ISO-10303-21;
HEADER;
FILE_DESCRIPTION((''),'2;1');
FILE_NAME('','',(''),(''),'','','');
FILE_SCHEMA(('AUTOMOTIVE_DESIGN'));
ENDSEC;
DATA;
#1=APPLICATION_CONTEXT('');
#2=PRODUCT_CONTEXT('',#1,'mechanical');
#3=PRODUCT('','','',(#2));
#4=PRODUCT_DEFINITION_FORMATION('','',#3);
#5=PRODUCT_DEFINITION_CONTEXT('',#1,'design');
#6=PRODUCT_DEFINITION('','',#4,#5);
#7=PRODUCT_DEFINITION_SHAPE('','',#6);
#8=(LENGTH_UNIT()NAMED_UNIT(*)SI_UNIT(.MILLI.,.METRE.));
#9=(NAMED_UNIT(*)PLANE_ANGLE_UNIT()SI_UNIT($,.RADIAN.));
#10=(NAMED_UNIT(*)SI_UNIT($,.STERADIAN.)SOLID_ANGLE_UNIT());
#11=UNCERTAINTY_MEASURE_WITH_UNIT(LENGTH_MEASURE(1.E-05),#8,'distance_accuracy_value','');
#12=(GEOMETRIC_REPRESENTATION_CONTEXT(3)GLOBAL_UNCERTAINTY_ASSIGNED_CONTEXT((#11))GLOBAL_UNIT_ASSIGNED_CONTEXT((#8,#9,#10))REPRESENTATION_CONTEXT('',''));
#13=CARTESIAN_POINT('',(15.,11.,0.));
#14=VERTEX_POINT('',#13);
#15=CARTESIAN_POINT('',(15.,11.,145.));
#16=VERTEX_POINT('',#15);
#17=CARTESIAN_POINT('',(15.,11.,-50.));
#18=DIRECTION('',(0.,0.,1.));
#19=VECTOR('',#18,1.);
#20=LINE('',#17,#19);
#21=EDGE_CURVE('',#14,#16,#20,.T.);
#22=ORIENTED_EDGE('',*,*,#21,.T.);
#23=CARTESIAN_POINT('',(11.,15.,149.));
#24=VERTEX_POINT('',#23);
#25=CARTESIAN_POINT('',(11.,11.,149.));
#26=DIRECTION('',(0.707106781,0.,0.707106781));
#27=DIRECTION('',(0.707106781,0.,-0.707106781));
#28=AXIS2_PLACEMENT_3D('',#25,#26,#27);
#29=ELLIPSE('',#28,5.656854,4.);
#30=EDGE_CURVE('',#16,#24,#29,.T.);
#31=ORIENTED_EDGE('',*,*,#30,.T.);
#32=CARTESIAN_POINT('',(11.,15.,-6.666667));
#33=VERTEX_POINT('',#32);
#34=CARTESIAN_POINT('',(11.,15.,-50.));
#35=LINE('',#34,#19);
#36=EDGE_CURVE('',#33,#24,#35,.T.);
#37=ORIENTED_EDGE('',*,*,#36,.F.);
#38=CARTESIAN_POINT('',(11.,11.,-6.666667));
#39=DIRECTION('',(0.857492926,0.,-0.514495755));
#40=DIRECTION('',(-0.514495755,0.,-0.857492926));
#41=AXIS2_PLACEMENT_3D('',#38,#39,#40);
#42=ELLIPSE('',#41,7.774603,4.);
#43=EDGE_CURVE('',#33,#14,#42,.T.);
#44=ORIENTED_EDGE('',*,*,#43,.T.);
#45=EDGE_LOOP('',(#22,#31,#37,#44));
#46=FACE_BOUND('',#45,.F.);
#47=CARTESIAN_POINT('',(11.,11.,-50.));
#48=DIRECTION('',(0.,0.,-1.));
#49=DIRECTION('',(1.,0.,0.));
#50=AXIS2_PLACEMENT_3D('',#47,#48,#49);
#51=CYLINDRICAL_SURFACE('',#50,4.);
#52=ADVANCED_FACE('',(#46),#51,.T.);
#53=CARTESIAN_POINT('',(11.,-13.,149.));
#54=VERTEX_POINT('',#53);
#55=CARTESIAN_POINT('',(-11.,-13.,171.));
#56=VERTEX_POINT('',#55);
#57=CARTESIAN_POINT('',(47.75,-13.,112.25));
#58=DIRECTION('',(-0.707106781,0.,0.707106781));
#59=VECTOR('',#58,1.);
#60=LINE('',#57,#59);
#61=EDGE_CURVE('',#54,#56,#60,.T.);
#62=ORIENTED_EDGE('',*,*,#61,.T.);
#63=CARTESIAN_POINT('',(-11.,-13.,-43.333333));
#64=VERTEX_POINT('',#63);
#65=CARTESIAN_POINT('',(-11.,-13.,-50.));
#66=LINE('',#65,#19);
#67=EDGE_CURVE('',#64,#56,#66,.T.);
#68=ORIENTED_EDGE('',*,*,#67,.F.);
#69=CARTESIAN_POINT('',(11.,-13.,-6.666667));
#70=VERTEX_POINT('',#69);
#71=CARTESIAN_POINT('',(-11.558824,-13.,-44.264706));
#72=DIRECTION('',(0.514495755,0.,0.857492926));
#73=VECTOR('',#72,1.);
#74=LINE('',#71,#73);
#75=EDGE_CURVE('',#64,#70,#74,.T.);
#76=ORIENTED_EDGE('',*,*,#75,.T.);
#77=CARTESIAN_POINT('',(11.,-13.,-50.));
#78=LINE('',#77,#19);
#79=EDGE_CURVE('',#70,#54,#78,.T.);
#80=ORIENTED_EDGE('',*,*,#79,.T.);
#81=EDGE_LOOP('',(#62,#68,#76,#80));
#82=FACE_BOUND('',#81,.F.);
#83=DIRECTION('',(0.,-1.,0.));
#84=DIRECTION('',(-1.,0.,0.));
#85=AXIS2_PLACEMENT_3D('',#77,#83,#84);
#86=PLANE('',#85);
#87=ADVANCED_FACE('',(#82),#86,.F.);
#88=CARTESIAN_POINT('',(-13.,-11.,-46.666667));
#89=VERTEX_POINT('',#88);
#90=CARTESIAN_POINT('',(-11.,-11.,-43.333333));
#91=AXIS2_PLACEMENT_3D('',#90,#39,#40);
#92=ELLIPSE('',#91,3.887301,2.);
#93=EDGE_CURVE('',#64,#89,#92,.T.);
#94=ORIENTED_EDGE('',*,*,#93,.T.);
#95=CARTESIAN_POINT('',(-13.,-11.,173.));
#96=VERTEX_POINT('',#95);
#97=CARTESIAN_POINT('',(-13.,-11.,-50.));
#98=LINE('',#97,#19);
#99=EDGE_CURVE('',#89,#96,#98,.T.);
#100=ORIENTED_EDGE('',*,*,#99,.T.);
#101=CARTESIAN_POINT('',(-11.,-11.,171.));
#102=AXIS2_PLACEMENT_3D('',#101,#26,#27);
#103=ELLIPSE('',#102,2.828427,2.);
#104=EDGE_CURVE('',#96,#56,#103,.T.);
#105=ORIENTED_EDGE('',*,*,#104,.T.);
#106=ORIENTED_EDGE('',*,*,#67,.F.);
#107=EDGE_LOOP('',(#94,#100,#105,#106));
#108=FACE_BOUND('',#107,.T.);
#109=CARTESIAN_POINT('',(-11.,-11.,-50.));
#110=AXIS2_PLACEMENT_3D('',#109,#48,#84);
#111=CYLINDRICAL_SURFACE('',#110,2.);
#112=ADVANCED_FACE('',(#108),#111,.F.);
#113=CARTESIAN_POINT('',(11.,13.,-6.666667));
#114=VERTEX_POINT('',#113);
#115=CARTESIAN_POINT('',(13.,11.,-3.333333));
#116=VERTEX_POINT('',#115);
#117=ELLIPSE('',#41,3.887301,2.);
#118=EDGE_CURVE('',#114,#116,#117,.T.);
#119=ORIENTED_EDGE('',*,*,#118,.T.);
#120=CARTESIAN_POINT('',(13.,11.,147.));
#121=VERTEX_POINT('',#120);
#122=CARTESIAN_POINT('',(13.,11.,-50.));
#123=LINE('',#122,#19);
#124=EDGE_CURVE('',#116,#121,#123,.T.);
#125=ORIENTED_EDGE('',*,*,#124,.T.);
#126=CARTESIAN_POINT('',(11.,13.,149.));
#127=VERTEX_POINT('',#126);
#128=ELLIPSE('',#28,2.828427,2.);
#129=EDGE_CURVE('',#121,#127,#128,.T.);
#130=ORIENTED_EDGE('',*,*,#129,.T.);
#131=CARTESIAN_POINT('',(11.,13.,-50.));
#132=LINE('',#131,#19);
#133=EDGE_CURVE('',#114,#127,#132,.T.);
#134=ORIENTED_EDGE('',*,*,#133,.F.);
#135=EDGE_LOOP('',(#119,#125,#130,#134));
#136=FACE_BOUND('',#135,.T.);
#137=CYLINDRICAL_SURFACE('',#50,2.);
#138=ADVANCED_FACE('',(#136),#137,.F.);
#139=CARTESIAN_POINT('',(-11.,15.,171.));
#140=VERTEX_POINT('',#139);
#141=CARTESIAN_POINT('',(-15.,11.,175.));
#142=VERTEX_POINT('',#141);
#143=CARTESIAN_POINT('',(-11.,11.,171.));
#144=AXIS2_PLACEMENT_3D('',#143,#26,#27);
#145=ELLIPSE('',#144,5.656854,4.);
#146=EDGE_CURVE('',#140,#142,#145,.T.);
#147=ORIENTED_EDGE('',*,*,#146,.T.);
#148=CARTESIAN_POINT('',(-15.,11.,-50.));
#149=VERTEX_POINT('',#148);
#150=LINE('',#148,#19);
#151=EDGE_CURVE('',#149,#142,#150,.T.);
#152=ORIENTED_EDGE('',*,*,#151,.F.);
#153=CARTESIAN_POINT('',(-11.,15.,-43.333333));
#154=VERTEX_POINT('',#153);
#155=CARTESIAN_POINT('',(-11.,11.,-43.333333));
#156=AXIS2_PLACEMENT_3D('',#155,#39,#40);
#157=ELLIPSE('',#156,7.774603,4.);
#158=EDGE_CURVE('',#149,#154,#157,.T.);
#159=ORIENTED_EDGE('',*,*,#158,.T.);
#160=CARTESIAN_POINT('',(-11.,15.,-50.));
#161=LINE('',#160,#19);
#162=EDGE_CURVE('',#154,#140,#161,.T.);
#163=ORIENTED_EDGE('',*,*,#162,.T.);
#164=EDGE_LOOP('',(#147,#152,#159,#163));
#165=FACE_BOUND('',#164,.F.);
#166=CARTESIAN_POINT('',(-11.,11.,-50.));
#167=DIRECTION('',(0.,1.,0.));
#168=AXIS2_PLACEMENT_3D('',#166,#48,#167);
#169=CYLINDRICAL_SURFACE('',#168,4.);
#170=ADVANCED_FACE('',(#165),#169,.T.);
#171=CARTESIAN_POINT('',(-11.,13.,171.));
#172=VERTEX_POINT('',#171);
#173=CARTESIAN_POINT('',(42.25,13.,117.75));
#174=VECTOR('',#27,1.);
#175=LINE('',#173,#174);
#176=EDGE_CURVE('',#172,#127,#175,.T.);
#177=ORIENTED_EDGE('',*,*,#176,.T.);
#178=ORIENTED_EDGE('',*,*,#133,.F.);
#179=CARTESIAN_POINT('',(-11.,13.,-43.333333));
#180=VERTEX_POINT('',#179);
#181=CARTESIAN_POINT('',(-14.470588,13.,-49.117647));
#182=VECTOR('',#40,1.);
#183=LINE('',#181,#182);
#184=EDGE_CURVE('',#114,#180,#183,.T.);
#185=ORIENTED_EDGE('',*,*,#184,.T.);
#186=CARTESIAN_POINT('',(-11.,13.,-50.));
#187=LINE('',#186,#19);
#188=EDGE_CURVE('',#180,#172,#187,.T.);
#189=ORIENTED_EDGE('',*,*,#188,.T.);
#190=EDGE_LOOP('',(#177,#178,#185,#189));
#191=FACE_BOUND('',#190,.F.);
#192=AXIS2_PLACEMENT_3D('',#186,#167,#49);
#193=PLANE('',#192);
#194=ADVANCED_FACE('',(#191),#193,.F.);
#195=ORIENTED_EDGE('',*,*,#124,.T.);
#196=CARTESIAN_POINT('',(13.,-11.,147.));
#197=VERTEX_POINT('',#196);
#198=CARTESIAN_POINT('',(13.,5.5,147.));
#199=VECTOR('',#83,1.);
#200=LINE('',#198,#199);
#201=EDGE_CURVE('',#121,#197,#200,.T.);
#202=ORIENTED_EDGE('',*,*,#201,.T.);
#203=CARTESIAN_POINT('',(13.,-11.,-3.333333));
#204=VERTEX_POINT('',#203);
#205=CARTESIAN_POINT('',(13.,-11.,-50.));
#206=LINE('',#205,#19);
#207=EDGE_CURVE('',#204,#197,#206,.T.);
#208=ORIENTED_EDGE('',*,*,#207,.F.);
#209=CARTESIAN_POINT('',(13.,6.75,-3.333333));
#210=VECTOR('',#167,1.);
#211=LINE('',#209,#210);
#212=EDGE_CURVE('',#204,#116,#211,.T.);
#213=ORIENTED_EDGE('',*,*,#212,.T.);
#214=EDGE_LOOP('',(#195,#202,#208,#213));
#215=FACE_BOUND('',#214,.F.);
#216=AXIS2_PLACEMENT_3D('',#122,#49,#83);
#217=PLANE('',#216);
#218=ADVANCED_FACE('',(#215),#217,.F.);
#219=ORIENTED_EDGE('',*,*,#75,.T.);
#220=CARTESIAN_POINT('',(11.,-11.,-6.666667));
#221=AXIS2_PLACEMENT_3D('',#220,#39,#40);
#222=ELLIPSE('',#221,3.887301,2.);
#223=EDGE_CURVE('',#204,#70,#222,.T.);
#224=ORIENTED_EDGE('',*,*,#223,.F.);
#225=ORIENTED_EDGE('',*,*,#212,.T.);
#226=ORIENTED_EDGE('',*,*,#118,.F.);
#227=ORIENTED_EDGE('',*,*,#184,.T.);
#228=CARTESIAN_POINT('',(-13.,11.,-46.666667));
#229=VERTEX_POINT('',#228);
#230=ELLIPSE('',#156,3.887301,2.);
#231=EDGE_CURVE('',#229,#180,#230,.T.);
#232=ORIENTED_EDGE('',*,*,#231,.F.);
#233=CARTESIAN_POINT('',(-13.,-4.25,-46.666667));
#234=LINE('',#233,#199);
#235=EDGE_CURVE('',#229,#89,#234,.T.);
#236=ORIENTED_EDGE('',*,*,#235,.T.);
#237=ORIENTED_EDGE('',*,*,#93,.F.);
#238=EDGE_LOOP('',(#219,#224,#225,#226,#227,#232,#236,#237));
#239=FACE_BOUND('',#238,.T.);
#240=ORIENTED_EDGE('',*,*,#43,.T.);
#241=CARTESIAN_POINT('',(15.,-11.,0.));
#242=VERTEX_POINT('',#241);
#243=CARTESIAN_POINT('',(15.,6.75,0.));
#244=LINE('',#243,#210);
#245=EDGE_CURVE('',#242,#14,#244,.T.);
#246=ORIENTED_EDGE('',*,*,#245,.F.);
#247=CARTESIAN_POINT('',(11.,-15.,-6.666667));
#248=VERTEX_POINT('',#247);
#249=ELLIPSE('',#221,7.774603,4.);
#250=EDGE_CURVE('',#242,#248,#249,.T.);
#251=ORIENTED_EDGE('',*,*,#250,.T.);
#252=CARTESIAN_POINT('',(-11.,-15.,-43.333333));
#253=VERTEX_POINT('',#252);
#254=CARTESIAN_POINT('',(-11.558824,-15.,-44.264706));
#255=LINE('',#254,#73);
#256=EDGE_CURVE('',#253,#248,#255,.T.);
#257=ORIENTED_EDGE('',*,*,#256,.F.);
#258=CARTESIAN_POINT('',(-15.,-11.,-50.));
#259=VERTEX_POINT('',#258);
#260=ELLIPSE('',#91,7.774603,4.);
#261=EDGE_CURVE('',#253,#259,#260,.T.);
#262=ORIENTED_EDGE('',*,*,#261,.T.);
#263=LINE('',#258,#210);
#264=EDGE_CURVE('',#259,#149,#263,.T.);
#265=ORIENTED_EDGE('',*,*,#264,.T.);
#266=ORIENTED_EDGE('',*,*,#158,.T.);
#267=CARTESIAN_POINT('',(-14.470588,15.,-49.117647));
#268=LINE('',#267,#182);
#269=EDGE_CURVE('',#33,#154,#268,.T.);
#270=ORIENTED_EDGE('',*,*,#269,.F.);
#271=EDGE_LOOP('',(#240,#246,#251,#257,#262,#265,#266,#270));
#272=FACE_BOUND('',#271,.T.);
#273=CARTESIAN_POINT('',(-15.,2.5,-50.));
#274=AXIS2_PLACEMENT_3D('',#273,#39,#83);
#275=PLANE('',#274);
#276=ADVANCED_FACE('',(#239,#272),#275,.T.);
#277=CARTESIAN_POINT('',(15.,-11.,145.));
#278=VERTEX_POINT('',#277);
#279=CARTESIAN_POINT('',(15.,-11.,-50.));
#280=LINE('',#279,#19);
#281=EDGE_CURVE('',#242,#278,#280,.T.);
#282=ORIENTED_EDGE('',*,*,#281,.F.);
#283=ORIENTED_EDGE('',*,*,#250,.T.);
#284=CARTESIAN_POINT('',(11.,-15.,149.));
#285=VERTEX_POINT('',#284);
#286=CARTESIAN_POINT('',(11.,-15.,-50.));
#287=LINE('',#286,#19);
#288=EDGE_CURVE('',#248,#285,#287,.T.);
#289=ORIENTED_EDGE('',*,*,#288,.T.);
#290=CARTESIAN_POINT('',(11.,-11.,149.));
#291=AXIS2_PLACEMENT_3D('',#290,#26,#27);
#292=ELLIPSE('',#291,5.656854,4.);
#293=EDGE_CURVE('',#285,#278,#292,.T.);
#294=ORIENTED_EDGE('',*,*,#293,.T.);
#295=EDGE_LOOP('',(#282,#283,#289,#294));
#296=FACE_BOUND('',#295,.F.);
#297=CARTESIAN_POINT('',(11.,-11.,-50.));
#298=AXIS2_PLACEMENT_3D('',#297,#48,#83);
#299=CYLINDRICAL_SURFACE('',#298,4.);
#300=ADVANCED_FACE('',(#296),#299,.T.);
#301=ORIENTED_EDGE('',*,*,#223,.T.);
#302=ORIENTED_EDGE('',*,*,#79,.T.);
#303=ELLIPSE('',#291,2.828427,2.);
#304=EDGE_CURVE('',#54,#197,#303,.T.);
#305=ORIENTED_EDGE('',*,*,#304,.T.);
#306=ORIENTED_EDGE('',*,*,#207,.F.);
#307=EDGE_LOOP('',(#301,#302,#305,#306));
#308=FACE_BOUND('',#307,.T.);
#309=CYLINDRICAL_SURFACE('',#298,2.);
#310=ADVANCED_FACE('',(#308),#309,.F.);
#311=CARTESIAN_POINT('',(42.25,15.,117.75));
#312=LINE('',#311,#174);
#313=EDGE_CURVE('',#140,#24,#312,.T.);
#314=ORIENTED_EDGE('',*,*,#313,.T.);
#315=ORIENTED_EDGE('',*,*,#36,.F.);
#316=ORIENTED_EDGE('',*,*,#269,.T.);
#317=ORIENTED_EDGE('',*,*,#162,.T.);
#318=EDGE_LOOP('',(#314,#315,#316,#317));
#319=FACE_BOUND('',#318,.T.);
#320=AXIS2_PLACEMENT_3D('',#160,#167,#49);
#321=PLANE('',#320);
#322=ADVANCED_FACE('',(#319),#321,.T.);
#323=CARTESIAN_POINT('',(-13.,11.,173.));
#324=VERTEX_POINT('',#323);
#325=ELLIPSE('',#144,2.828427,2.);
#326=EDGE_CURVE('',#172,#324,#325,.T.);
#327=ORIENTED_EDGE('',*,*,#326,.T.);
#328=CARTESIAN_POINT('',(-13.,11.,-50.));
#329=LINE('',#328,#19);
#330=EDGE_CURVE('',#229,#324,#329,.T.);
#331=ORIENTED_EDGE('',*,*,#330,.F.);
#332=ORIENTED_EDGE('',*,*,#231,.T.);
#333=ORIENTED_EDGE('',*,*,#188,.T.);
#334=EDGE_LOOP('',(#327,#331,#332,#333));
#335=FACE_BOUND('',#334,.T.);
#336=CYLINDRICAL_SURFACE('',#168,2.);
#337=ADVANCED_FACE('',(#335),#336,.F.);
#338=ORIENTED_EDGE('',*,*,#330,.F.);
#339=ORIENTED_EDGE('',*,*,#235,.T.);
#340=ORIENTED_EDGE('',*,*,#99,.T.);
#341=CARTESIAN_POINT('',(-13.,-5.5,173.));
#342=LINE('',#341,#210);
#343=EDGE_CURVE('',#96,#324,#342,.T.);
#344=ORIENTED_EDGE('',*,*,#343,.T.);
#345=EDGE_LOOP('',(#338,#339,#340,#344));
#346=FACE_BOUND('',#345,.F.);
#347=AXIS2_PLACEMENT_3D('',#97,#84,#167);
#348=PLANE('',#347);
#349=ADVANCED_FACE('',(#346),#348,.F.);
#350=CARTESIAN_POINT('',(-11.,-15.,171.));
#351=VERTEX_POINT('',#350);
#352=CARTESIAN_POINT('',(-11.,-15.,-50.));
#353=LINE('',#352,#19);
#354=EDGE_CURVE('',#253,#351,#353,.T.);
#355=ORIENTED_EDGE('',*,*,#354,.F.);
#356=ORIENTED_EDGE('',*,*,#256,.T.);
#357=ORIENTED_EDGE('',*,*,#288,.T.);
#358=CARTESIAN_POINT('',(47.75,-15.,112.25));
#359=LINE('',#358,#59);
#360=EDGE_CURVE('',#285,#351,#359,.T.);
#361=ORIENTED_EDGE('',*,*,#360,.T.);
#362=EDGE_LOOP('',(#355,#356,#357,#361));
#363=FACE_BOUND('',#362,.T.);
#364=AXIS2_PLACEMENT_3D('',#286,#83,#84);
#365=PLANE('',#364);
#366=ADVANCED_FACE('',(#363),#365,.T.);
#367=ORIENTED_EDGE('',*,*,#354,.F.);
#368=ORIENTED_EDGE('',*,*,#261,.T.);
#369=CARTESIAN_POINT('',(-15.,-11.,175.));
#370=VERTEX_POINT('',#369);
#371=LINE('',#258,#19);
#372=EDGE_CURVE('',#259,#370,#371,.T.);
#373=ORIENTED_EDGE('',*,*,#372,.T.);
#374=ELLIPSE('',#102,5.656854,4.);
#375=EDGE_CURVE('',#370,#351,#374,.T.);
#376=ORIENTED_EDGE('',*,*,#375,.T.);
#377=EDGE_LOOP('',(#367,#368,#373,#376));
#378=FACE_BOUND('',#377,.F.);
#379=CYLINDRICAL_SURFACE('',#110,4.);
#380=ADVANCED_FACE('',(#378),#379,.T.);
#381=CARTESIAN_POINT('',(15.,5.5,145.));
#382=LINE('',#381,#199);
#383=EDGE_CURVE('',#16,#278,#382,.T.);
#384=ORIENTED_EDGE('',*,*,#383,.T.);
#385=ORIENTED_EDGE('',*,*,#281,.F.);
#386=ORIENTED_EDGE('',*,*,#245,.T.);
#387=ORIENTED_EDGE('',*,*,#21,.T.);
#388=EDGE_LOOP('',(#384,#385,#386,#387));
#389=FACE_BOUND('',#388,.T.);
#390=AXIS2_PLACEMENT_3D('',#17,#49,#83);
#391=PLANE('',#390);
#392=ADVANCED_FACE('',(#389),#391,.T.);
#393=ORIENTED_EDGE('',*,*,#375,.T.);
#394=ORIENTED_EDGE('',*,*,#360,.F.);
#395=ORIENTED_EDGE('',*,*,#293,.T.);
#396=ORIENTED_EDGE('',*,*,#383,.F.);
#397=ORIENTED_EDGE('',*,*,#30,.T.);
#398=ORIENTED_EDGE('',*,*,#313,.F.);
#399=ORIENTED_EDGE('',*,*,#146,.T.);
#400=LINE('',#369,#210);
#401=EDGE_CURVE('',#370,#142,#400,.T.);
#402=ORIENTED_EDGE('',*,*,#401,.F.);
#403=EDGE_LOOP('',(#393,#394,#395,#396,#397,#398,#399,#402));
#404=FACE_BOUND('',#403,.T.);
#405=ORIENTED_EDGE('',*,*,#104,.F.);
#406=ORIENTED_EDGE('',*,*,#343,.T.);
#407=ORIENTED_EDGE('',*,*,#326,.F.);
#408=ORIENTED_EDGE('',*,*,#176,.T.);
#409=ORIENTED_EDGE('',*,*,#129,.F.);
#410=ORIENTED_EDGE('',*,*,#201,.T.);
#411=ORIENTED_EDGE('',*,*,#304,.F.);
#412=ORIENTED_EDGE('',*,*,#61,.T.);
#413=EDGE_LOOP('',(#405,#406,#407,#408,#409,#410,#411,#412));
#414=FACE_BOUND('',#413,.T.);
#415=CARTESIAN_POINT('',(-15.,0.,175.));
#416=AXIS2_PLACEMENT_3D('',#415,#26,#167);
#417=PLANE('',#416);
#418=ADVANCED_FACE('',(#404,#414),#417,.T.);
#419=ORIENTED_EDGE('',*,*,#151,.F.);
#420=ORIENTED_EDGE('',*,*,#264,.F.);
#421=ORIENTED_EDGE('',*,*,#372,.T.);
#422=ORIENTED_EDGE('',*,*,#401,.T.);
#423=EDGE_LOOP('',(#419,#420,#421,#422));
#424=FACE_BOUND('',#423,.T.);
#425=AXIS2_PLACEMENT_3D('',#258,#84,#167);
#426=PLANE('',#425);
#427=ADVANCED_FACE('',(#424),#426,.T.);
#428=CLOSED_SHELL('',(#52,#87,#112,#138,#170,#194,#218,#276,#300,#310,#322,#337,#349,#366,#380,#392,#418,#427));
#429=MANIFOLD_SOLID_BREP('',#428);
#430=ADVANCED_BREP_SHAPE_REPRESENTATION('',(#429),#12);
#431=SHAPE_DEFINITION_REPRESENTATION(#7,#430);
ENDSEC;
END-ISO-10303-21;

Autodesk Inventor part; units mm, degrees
ref_plane "Plano inicial" through (0, 0, -50) normal (0, 0, 1) x (1, 0, 0)
ref_plane "Plano final" through (0, 0, 175) normal (0, 0, 1) x (1, 0, 0)
sketch "Esboço" plane through (0, 0, 0) normal (0, 0, 1) x (1, 0, 0)
  line L0 (-15, -11) -> (-15, 11)
  line L1 (-11, 15) -> (11, 15)
  line L2 (15, 11) -> (15, -11)
  line L3 (11, -15) -> (-11, -15)
  arc A0 (-15, -11) -> (-11, -15) centre (-11, -11) ccw
  arc A1 (15, 11) -> (11, 15) centre (11, 11) ccw
  arc A2 (-11, 15) -> (-15, 11) centre (-11, 11) ccw
  arc A3 (11, -15) -> (15, -11) centre (11, -11) ccw
  arc A4 (-11, 13) -> (-13, 11) centre (-11, 11) ccw
  line L4 (-11, 13) -> (11, 13)
  arc A5 (13, 11) -> (11, 13) centre (11, 11) ccw
  line L5 (13, 11) -> (13, -11)
  arc A6 (11, -13) -> (13, -11) centre (11, -11) ccw
  line L6 (11, -13) -> (-11, -13)
  arc A7 (-13, -11) -> (-11, -13) centre (-11, -11) ccw
  line L7 (-13, -11) -> (-13, 11)
  line L8 (0, 22.1598) -> (0, -22.1598) construction
  line L9 (-22.1598, 0) -> (22.1598, 0) construction
  dimension "d7" = 4
  dimension "d9" = 30
  dimension "d11" = 30
  dimension "d12" = 2
  dimension "d15" = 15
  dimension "d16" = 15
extrude "Corpo" add sketch "Esboço" along normal up to surface (225 mm away) from surface at -50
sketch "Sketch3" plane through (0, 0, 0) normal (0, 0, 1) x (1, 0, 0)
  line L0 (0, 0) -> (10, 0)
ref_plane "Work Plane3" through (0, 0, 0) normal (0, -1, 0) x (1, 0, 0)
sketch "Sketch4" plane through (0, 0, 0) normal (0, -1, 0) x (1, 0, 0)
  line L0 (-2, -50) -> (12, -50)
  line L1 (-2, 175) -> (12, 175)
  dimension "d18" = 225
ref_plane "Plano de trabalho5" through (-15, 0, 175) normal (0.7071, 0, 0.7071) x (0.7071, 0, -0.7071)
split "Dividir2" plane through (-15, 0, 175) removes the side toward (0.7071, 0, 0.7071)
ref_plane "Plano de trabalho6" through (0, 15, 175) normal (0, 0, 1) x (1, 0, 0)
split "Dividir3" plane through (0, 15, 175) removes the side toward (0, 0, 1)
ref_plane "Plano de trabalho7" through (-15, 2.5, -50) normal (0.8575, 0, -0.5145) x (-0.5145, 0, -0.8575)
split "Dividir4" plane through (-15, 2.5, -50) removes the side toward (0.8575, 0, -0.5145)
equation "\"d7\" = G_IR"
equation "\"d9\" = G_W"
equation "\"d11\" = G_H"
equation "\"d12\" = G_T"
equation "\"d15\" = 0.5 * d9"
equation "\"d16\" = 0.5 * d11"
equation "\"d3\" = G_L"
equation "\"G_W\" = 30"
equation "\"G_H\" = 30"
equation "\"G_T\" = 2"
equation "\"G_IR\" = 4"
equation "\"G_L\" = d18"
equation "\"G_OFFSET_END\" = 0"
equation "\"d14\" = G_OFFSET_END + B_L"
equation "\"B_L\" = 175"
properties part number "ISO 10799-2 - 30x30x2 - 225" material "Aço, suave"
